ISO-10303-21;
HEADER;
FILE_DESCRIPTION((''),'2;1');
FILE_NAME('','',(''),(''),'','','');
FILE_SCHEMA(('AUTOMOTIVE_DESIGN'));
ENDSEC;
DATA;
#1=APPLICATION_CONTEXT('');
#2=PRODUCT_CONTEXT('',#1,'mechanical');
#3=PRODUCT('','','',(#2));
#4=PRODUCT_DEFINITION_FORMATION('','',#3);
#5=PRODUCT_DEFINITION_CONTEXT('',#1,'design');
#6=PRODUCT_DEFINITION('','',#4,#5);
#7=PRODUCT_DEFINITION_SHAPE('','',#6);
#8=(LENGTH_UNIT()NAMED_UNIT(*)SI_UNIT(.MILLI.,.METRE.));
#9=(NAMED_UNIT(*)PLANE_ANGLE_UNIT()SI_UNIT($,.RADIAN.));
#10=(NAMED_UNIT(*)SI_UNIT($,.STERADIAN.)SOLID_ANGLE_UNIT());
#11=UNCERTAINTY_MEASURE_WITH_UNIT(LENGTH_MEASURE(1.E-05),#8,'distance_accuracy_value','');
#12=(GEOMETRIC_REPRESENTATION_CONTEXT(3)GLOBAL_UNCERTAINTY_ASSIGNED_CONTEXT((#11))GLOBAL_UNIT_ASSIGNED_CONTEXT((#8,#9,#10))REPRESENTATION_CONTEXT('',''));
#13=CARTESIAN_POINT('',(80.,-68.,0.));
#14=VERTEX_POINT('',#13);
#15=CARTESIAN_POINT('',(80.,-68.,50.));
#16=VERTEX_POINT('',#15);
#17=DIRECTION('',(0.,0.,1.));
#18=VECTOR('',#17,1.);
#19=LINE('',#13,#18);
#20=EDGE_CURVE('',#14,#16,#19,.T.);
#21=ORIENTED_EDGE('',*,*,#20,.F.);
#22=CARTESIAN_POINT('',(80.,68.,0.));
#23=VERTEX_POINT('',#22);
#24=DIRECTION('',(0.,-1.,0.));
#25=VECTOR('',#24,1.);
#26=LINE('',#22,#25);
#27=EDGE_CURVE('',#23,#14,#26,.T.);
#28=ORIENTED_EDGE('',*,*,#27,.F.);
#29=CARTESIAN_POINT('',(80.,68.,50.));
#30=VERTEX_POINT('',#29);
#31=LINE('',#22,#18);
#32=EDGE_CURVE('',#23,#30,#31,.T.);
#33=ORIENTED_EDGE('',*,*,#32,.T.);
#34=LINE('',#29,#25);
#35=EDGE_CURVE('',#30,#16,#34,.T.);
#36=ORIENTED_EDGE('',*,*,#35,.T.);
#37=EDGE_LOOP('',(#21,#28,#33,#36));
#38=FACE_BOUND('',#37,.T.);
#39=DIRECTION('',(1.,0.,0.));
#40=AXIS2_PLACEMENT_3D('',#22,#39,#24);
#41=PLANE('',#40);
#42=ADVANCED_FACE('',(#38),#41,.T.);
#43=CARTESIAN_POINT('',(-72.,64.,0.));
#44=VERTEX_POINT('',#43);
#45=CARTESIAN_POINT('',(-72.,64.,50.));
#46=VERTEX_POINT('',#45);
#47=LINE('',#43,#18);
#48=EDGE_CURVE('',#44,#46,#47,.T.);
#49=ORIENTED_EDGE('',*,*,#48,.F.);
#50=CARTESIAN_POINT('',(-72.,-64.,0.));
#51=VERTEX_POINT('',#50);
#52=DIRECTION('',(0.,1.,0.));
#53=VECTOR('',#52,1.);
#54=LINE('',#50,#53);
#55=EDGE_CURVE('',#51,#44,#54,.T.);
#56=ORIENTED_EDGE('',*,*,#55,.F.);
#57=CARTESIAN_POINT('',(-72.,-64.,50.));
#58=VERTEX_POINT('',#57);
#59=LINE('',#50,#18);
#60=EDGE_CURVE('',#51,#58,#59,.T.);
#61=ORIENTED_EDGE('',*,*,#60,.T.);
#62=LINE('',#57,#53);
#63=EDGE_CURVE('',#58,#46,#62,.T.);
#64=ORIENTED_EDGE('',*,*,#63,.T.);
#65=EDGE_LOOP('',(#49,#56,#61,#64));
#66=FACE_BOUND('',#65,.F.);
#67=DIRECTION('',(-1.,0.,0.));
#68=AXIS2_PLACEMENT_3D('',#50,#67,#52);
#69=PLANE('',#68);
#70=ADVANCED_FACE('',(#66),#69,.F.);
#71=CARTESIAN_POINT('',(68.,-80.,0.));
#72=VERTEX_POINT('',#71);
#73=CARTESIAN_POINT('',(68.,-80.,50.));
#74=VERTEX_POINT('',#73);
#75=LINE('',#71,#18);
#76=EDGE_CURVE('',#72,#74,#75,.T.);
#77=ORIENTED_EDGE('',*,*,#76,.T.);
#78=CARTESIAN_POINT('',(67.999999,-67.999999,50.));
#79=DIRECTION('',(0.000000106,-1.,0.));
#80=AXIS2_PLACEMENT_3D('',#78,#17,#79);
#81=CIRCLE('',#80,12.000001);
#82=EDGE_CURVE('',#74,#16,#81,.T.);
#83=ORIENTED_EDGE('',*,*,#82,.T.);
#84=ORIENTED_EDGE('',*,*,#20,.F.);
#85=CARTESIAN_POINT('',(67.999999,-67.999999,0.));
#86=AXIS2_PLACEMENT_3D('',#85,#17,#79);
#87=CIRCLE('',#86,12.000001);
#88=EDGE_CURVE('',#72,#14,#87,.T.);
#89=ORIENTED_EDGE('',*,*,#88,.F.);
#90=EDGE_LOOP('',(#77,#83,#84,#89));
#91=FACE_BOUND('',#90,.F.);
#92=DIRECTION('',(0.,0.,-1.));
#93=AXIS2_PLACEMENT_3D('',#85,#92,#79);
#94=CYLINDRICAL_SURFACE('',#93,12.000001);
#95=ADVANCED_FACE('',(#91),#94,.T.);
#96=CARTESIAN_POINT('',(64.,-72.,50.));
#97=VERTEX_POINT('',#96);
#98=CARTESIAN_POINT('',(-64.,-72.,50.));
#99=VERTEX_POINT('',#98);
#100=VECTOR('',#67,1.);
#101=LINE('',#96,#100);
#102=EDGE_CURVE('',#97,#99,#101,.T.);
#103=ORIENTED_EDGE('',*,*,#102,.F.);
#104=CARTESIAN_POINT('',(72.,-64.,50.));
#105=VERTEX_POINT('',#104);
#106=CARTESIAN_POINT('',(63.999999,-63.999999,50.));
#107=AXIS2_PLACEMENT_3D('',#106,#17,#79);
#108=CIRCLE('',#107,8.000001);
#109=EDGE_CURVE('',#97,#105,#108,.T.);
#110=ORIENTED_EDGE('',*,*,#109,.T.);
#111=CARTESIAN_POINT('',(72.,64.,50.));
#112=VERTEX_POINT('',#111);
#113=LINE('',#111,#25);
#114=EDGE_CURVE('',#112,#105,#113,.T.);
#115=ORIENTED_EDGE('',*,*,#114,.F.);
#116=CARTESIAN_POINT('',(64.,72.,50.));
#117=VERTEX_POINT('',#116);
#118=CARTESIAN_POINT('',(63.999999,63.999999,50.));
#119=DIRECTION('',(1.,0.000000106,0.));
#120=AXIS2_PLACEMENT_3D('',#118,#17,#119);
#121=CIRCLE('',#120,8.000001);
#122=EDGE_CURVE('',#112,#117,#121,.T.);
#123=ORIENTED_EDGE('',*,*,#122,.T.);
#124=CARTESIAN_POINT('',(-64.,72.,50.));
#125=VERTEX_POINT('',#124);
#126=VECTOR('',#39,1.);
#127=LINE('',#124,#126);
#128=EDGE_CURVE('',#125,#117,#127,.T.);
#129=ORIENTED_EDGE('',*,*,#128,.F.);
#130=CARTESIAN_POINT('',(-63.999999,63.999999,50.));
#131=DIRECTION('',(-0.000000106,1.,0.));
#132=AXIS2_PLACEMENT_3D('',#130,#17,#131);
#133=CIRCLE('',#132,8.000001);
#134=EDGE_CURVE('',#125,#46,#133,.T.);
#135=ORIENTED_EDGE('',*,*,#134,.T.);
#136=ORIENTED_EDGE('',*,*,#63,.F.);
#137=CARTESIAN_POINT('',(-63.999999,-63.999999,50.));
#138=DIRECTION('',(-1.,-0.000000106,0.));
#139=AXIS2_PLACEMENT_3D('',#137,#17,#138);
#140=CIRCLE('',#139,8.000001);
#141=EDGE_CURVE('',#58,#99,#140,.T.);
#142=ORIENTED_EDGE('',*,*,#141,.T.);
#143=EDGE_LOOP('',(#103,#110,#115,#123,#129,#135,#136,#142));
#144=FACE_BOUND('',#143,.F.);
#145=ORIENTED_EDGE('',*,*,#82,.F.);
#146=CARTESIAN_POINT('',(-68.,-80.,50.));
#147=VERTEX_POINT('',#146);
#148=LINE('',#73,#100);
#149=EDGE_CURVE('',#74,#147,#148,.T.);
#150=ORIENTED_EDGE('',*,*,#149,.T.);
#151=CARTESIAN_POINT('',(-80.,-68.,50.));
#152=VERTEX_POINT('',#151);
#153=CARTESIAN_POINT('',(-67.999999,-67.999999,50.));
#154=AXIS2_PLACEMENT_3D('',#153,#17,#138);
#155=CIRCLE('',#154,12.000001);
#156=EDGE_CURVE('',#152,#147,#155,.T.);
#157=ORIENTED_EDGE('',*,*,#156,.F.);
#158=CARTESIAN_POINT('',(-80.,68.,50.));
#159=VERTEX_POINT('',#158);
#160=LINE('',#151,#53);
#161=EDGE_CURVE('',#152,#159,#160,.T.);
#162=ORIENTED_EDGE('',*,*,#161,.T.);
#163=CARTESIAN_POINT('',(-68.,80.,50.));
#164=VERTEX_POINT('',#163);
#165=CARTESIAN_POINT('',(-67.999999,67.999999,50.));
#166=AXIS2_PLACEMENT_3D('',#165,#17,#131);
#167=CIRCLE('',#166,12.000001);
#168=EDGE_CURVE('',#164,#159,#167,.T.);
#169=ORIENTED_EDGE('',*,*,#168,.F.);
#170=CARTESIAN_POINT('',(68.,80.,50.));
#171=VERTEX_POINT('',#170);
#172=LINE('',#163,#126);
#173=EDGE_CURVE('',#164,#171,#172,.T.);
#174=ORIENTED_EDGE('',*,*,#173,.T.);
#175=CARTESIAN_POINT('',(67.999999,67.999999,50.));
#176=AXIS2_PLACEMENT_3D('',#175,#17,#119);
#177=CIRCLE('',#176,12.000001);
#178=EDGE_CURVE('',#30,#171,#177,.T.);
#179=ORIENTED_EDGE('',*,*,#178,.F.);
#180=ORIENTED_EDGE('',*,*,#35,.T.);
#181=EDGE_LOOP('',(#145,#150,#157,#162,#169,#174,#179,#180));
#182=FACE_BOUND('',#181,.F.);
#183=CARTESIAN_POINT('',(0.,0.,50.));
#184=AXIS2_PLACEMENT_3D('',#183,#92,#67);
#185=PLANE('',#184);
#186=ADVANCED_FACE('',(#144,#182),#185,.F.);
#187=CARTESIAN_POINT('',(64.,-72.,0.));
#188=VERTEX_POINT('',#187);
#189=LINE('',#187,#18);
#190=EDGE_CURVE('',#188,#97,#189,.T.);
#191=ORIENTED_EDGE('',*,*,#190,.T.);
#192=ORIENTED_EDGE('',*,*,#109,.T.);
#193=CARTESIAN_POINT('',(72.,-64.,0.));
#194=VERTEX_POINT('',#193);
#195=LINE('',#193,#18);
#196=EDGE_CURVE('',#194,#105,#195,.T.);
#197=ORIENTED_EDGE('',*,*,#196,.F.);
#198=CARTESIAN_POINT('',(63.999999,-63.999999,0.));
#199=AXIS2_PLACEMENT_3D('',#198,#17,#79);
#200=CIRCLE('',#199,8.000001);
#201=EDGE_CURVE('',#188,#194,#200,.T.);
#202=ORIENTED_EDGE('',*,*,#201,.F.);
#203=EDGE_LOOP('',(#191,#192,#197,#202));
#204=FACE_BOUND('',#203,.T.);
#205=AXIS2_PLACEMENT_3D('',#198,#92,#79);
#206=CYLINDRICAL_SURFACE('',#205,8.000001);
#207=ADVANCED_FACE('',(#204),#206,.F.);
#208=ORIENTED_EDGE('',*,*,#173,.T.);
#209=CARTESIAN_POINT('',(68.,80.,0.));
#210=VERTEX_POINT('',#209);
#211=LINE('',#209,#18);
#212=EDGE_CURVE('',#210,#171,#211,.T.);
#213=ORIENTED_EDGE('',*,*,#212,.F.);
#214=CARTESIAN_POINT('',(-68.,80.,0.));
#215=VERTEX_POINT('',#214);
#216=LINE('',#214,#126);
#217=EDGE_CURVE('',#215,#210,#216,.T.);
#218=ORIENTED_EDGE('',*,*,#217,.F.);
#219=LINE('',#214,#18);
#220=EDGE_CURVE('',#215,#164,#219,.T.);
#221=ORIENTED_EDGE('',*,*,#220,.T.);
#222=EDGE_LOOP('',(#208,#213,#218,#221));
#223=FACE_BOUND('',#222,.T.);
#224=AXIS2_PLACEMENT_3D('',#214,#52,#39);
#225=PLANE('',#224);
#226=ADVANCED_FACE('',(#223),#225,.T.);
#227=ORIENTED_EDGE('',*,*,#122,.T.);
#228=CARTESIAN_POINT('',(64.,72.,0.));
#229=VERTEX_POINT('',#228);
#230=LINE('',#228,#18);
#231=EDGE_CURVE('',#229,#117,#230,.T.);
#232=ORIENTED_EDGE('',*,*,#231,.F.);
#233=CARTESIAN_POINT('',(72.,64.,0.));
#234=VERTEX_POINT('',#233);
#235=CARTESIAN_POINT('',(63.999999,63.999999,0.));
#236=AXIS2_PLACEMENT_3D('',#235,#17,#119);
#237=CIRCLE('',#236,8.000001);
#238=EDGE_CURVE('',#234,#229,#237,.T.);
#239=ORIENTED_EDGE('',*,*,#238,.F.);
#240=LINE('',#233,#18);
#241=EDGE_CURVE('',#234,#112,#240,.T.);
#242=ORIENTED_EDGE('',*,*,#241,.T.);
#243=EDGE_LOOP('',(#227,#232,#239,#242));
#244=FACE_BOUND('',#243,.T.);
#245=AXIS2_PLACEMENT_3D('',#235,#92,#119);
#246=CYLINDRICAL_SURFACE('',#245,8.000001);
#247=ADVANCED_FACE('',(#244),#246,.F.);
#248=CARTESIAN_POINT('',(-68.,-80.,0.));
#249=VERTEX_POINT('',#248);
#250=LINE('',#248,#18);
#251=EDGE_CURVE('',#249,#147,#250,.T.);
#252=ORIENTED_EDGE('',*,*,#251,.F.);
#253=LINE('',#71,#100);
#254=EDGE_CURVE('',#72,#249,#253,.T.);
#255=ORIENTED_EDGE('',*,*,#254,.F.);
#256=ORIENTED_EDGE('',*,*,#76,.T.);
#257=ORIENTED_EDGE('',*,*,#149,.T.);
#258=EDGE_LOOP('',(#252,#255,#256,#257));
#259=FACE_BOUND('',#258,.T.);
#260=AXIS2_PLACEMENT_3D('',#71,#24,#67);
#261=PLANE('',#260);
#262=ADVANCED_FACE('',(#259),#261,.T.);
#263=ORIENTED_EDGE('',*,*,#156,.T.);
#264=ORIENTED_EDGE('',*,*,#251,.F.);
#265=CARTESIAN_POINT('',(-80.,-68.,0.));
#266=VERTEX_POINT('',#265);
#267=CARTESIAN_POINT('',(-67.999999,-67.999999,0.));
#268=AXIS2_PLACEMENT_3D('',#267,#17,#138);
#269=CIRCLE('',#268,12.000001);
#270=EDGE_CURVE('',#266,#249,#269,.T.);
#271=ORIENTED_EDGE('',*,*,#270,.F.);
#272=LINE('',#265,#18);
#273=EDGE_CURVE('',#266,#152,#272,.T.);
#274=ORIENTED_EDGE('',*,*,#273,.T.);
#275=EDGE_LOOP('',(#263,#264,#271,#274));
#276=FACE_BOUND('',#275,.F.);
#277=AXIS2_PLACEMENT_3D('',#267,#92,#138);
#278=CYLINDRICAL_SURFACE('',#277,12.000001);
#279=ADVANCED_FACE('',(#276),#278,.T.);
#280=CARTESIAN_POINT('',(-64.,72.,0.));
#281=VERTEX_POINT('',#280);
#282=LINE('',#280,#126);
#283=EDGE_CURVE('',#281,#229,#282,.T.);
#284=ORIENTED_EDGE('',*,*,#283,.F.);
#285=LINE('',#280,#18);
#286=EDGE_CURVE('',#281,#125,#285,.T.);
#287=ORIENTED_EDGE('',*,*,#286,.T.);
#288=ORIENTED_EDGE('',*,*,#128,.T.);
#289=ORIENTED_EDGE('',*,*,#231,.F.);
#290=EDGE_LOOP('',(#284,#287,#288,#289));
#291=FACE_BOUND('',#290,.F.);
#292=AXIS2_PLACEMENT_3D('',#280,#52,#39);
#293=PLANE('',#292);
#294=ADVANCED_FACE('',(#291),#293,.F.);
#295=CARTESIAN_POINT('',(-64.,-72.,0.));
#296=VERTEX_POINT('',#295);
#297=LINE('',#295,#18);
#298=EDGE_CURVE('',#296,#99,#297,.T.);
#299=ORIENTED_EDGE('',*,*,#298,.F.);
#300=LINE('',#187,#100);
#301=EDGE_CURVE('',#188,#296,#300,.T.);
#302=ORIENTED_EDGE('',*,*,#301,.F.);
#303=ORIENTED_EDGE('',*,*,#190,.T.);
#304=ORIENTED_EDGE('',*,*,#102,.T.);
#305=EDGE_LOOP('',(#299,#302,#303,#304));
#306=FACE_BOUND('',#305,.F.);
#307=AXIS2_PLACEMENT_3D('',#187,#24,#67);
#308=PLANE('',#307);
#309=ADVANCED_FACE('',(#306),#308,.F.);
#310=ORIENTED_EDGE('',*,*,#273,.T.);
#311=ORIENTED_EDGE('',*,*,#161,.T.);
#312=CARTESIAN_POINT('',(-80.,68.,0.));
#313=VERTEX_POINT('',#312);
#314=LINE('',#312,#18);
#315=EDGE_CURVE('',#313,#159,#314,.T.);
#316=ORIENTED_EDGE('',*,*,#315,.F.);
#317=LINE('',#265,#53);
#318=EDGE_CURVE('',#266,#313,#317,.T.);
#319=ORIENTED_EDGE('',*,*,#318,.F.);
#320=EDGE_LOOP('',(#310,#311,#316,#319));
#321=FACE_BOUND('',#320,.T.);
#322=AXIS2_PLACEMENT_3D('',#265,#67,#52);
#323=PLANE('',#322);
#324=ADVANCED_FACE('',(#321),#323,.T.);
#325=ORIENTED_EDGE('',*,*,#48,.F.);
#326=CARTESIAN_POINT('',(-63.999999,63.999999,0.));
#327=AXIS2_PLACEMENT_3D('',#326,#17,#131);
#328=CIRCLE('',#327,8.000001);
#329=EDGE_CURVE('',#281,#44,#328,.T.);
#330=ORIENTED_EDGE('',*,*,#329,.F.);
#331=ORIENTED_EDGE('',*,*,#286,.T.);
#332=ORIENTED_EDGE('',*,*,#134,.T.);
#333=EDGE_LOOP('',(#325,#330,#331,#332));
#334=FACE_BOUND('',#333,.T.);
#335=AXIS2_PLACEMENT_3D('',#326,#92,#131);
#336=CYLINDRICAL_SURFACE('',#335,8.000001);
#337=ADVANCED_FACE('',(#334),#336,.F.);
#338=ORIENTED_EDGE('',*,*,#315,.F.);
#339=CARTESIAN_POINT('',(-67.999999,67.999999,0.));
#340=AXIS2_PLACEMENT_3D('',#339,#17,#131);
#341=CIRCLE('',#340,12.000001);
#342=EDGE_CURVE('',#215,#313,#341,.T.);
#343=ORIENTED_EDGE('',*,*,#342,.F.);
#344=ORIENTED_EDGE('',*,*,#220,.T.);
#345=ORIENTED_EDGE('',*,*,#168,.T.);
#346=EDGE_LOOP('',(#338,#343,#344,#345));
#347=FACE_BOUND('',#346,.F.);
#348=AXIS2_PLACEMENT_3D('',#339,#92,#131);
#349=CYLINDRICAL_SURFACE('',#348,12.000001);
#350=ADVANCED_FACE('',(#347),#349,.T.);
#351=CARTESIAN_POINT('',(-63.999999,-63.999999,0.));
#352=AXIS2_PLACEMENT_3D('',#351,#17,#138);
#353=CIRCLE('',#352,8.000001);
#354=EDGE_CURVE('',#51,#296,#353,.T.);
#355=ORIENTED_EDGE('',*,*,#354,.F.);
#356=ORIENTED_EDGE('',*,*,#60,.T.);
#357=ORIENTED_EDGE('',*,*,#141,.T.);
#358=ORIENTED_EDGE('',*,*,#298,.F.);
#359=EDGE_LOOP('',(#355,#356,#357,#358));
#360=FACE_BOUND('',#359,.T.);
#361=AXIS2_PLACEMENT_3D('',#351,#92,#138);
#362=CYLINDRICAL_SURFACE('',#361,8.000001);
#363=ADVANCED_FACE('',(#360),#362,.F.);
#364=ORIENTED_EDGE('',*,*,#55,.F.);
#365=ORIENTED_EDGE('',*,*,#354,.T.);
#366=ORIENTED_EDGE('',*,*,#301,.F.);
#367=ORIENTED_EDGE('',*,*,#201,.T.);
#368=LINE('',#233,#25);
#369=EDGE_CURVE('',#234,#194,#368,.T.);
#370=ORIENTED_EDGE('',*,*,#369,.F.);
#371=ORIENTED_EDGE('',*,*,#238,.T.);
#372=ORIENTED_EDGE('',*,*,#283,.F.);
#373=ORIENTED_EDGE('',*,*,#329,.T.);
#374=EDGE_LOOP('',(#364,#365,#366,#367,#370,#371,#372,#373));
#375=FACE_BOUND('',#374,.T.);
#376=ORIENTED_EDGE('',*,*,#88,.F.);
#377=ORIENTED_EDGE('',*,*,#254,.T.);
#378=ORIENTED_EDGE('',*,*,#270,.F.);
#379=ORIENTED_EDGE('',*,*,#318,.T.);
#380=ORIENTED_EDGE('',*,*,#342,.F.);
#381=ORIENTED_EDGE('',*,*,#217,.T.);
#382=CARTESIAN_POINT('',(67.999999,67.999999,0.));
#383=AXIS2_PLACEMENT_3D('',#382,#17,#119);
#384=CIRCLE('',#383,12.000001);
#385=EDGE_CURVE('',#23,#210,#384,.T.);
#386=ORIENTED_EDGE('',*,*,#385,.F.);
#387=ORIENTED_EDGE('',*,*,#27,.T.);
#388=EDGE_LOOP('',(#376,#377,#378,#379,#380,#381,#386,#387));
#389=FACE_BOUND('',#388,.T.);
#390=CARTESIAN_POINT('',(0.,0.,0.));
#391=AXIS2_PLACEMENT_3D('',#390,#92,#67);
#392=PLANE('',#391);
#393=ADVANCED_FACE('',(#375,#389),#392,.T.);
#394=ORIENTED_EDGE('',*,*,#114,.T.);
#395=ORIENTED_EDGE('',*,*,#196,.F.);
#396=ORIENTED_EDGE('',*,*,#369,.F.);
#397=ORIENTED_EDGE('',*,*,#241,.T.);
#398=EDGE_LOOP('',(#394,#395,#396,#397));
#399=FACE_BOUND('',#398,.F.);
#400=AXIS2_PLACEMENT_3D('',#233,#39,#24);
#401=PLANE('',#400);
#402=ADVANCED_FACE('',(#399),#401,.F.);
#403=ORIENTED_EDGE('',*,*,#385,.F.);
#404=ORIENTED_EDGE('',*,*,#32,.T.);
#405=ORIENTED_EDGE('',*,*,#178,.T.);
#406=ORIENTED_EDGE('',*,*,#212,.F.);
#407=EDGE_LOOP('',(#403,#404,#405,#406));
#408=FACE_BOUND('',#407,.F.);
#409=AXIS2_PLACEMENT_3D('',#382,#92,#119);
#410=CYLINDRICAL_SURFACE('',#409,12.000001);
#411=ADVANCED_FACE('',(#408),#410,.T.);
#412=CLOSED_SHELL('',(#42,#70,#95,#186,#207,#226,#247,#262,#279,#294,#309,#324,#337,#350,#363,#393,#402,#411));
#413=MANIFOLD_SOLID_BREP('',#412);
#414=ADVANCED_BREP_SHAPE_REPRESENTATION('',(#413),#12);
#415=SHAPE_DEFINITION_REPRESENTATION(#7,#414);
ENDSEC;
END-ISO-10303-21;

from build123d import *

# Parameters (mm, degrees)
EXTRUDE_DEPTH = 50


with BuildPart() as part:
    # Sketch → Extrude (new body)
    with BuildSketch(Plane.XY):
        with BuildLine():
            Line((-68, 80), (68, 80))
            ThreePointArc((80, 68), (76.485281, 76.485281), (68, 80))
            Line((80, 68), (80, -68))
            ThreePointArc((68, -80), (76.485281, -76.485281), (80, -68))
            Line((68, -80), (-68, -80))
            ThreePointArc((-80, -68), (-76.485281, -76.485281), (-68, -80))
            Line((-80, -68), (-80, 68))
            ThreePointArc((-68, 80), (-76.485281, 76.485281), (-80, 68))
        make_face()
        with BuildLine():
            Line((-64, 72), (64, 72))
            ThreePointArc((72, 64), (69.656854, 69.656854), (64, 72))
            Line((72, 64), (72, -64))
            ThreePointArc((64, -72), (69.656854, -69.656854), (72, -64))
            Line((64, -72), (-64, -72))
            ThreePointArc((-72, -64), (-69.656854, -69.656854), (-64, -72))
            Line((-72, -64), (-72, 64))
            ThreePointArc((-64, 72), (-69.656854, 69.656854), (-72, 64))
        make_face(mode=Mode.SUBTRACT)
    extrude(amount=EXTRUDE_DEPTH)


solid = part.part
